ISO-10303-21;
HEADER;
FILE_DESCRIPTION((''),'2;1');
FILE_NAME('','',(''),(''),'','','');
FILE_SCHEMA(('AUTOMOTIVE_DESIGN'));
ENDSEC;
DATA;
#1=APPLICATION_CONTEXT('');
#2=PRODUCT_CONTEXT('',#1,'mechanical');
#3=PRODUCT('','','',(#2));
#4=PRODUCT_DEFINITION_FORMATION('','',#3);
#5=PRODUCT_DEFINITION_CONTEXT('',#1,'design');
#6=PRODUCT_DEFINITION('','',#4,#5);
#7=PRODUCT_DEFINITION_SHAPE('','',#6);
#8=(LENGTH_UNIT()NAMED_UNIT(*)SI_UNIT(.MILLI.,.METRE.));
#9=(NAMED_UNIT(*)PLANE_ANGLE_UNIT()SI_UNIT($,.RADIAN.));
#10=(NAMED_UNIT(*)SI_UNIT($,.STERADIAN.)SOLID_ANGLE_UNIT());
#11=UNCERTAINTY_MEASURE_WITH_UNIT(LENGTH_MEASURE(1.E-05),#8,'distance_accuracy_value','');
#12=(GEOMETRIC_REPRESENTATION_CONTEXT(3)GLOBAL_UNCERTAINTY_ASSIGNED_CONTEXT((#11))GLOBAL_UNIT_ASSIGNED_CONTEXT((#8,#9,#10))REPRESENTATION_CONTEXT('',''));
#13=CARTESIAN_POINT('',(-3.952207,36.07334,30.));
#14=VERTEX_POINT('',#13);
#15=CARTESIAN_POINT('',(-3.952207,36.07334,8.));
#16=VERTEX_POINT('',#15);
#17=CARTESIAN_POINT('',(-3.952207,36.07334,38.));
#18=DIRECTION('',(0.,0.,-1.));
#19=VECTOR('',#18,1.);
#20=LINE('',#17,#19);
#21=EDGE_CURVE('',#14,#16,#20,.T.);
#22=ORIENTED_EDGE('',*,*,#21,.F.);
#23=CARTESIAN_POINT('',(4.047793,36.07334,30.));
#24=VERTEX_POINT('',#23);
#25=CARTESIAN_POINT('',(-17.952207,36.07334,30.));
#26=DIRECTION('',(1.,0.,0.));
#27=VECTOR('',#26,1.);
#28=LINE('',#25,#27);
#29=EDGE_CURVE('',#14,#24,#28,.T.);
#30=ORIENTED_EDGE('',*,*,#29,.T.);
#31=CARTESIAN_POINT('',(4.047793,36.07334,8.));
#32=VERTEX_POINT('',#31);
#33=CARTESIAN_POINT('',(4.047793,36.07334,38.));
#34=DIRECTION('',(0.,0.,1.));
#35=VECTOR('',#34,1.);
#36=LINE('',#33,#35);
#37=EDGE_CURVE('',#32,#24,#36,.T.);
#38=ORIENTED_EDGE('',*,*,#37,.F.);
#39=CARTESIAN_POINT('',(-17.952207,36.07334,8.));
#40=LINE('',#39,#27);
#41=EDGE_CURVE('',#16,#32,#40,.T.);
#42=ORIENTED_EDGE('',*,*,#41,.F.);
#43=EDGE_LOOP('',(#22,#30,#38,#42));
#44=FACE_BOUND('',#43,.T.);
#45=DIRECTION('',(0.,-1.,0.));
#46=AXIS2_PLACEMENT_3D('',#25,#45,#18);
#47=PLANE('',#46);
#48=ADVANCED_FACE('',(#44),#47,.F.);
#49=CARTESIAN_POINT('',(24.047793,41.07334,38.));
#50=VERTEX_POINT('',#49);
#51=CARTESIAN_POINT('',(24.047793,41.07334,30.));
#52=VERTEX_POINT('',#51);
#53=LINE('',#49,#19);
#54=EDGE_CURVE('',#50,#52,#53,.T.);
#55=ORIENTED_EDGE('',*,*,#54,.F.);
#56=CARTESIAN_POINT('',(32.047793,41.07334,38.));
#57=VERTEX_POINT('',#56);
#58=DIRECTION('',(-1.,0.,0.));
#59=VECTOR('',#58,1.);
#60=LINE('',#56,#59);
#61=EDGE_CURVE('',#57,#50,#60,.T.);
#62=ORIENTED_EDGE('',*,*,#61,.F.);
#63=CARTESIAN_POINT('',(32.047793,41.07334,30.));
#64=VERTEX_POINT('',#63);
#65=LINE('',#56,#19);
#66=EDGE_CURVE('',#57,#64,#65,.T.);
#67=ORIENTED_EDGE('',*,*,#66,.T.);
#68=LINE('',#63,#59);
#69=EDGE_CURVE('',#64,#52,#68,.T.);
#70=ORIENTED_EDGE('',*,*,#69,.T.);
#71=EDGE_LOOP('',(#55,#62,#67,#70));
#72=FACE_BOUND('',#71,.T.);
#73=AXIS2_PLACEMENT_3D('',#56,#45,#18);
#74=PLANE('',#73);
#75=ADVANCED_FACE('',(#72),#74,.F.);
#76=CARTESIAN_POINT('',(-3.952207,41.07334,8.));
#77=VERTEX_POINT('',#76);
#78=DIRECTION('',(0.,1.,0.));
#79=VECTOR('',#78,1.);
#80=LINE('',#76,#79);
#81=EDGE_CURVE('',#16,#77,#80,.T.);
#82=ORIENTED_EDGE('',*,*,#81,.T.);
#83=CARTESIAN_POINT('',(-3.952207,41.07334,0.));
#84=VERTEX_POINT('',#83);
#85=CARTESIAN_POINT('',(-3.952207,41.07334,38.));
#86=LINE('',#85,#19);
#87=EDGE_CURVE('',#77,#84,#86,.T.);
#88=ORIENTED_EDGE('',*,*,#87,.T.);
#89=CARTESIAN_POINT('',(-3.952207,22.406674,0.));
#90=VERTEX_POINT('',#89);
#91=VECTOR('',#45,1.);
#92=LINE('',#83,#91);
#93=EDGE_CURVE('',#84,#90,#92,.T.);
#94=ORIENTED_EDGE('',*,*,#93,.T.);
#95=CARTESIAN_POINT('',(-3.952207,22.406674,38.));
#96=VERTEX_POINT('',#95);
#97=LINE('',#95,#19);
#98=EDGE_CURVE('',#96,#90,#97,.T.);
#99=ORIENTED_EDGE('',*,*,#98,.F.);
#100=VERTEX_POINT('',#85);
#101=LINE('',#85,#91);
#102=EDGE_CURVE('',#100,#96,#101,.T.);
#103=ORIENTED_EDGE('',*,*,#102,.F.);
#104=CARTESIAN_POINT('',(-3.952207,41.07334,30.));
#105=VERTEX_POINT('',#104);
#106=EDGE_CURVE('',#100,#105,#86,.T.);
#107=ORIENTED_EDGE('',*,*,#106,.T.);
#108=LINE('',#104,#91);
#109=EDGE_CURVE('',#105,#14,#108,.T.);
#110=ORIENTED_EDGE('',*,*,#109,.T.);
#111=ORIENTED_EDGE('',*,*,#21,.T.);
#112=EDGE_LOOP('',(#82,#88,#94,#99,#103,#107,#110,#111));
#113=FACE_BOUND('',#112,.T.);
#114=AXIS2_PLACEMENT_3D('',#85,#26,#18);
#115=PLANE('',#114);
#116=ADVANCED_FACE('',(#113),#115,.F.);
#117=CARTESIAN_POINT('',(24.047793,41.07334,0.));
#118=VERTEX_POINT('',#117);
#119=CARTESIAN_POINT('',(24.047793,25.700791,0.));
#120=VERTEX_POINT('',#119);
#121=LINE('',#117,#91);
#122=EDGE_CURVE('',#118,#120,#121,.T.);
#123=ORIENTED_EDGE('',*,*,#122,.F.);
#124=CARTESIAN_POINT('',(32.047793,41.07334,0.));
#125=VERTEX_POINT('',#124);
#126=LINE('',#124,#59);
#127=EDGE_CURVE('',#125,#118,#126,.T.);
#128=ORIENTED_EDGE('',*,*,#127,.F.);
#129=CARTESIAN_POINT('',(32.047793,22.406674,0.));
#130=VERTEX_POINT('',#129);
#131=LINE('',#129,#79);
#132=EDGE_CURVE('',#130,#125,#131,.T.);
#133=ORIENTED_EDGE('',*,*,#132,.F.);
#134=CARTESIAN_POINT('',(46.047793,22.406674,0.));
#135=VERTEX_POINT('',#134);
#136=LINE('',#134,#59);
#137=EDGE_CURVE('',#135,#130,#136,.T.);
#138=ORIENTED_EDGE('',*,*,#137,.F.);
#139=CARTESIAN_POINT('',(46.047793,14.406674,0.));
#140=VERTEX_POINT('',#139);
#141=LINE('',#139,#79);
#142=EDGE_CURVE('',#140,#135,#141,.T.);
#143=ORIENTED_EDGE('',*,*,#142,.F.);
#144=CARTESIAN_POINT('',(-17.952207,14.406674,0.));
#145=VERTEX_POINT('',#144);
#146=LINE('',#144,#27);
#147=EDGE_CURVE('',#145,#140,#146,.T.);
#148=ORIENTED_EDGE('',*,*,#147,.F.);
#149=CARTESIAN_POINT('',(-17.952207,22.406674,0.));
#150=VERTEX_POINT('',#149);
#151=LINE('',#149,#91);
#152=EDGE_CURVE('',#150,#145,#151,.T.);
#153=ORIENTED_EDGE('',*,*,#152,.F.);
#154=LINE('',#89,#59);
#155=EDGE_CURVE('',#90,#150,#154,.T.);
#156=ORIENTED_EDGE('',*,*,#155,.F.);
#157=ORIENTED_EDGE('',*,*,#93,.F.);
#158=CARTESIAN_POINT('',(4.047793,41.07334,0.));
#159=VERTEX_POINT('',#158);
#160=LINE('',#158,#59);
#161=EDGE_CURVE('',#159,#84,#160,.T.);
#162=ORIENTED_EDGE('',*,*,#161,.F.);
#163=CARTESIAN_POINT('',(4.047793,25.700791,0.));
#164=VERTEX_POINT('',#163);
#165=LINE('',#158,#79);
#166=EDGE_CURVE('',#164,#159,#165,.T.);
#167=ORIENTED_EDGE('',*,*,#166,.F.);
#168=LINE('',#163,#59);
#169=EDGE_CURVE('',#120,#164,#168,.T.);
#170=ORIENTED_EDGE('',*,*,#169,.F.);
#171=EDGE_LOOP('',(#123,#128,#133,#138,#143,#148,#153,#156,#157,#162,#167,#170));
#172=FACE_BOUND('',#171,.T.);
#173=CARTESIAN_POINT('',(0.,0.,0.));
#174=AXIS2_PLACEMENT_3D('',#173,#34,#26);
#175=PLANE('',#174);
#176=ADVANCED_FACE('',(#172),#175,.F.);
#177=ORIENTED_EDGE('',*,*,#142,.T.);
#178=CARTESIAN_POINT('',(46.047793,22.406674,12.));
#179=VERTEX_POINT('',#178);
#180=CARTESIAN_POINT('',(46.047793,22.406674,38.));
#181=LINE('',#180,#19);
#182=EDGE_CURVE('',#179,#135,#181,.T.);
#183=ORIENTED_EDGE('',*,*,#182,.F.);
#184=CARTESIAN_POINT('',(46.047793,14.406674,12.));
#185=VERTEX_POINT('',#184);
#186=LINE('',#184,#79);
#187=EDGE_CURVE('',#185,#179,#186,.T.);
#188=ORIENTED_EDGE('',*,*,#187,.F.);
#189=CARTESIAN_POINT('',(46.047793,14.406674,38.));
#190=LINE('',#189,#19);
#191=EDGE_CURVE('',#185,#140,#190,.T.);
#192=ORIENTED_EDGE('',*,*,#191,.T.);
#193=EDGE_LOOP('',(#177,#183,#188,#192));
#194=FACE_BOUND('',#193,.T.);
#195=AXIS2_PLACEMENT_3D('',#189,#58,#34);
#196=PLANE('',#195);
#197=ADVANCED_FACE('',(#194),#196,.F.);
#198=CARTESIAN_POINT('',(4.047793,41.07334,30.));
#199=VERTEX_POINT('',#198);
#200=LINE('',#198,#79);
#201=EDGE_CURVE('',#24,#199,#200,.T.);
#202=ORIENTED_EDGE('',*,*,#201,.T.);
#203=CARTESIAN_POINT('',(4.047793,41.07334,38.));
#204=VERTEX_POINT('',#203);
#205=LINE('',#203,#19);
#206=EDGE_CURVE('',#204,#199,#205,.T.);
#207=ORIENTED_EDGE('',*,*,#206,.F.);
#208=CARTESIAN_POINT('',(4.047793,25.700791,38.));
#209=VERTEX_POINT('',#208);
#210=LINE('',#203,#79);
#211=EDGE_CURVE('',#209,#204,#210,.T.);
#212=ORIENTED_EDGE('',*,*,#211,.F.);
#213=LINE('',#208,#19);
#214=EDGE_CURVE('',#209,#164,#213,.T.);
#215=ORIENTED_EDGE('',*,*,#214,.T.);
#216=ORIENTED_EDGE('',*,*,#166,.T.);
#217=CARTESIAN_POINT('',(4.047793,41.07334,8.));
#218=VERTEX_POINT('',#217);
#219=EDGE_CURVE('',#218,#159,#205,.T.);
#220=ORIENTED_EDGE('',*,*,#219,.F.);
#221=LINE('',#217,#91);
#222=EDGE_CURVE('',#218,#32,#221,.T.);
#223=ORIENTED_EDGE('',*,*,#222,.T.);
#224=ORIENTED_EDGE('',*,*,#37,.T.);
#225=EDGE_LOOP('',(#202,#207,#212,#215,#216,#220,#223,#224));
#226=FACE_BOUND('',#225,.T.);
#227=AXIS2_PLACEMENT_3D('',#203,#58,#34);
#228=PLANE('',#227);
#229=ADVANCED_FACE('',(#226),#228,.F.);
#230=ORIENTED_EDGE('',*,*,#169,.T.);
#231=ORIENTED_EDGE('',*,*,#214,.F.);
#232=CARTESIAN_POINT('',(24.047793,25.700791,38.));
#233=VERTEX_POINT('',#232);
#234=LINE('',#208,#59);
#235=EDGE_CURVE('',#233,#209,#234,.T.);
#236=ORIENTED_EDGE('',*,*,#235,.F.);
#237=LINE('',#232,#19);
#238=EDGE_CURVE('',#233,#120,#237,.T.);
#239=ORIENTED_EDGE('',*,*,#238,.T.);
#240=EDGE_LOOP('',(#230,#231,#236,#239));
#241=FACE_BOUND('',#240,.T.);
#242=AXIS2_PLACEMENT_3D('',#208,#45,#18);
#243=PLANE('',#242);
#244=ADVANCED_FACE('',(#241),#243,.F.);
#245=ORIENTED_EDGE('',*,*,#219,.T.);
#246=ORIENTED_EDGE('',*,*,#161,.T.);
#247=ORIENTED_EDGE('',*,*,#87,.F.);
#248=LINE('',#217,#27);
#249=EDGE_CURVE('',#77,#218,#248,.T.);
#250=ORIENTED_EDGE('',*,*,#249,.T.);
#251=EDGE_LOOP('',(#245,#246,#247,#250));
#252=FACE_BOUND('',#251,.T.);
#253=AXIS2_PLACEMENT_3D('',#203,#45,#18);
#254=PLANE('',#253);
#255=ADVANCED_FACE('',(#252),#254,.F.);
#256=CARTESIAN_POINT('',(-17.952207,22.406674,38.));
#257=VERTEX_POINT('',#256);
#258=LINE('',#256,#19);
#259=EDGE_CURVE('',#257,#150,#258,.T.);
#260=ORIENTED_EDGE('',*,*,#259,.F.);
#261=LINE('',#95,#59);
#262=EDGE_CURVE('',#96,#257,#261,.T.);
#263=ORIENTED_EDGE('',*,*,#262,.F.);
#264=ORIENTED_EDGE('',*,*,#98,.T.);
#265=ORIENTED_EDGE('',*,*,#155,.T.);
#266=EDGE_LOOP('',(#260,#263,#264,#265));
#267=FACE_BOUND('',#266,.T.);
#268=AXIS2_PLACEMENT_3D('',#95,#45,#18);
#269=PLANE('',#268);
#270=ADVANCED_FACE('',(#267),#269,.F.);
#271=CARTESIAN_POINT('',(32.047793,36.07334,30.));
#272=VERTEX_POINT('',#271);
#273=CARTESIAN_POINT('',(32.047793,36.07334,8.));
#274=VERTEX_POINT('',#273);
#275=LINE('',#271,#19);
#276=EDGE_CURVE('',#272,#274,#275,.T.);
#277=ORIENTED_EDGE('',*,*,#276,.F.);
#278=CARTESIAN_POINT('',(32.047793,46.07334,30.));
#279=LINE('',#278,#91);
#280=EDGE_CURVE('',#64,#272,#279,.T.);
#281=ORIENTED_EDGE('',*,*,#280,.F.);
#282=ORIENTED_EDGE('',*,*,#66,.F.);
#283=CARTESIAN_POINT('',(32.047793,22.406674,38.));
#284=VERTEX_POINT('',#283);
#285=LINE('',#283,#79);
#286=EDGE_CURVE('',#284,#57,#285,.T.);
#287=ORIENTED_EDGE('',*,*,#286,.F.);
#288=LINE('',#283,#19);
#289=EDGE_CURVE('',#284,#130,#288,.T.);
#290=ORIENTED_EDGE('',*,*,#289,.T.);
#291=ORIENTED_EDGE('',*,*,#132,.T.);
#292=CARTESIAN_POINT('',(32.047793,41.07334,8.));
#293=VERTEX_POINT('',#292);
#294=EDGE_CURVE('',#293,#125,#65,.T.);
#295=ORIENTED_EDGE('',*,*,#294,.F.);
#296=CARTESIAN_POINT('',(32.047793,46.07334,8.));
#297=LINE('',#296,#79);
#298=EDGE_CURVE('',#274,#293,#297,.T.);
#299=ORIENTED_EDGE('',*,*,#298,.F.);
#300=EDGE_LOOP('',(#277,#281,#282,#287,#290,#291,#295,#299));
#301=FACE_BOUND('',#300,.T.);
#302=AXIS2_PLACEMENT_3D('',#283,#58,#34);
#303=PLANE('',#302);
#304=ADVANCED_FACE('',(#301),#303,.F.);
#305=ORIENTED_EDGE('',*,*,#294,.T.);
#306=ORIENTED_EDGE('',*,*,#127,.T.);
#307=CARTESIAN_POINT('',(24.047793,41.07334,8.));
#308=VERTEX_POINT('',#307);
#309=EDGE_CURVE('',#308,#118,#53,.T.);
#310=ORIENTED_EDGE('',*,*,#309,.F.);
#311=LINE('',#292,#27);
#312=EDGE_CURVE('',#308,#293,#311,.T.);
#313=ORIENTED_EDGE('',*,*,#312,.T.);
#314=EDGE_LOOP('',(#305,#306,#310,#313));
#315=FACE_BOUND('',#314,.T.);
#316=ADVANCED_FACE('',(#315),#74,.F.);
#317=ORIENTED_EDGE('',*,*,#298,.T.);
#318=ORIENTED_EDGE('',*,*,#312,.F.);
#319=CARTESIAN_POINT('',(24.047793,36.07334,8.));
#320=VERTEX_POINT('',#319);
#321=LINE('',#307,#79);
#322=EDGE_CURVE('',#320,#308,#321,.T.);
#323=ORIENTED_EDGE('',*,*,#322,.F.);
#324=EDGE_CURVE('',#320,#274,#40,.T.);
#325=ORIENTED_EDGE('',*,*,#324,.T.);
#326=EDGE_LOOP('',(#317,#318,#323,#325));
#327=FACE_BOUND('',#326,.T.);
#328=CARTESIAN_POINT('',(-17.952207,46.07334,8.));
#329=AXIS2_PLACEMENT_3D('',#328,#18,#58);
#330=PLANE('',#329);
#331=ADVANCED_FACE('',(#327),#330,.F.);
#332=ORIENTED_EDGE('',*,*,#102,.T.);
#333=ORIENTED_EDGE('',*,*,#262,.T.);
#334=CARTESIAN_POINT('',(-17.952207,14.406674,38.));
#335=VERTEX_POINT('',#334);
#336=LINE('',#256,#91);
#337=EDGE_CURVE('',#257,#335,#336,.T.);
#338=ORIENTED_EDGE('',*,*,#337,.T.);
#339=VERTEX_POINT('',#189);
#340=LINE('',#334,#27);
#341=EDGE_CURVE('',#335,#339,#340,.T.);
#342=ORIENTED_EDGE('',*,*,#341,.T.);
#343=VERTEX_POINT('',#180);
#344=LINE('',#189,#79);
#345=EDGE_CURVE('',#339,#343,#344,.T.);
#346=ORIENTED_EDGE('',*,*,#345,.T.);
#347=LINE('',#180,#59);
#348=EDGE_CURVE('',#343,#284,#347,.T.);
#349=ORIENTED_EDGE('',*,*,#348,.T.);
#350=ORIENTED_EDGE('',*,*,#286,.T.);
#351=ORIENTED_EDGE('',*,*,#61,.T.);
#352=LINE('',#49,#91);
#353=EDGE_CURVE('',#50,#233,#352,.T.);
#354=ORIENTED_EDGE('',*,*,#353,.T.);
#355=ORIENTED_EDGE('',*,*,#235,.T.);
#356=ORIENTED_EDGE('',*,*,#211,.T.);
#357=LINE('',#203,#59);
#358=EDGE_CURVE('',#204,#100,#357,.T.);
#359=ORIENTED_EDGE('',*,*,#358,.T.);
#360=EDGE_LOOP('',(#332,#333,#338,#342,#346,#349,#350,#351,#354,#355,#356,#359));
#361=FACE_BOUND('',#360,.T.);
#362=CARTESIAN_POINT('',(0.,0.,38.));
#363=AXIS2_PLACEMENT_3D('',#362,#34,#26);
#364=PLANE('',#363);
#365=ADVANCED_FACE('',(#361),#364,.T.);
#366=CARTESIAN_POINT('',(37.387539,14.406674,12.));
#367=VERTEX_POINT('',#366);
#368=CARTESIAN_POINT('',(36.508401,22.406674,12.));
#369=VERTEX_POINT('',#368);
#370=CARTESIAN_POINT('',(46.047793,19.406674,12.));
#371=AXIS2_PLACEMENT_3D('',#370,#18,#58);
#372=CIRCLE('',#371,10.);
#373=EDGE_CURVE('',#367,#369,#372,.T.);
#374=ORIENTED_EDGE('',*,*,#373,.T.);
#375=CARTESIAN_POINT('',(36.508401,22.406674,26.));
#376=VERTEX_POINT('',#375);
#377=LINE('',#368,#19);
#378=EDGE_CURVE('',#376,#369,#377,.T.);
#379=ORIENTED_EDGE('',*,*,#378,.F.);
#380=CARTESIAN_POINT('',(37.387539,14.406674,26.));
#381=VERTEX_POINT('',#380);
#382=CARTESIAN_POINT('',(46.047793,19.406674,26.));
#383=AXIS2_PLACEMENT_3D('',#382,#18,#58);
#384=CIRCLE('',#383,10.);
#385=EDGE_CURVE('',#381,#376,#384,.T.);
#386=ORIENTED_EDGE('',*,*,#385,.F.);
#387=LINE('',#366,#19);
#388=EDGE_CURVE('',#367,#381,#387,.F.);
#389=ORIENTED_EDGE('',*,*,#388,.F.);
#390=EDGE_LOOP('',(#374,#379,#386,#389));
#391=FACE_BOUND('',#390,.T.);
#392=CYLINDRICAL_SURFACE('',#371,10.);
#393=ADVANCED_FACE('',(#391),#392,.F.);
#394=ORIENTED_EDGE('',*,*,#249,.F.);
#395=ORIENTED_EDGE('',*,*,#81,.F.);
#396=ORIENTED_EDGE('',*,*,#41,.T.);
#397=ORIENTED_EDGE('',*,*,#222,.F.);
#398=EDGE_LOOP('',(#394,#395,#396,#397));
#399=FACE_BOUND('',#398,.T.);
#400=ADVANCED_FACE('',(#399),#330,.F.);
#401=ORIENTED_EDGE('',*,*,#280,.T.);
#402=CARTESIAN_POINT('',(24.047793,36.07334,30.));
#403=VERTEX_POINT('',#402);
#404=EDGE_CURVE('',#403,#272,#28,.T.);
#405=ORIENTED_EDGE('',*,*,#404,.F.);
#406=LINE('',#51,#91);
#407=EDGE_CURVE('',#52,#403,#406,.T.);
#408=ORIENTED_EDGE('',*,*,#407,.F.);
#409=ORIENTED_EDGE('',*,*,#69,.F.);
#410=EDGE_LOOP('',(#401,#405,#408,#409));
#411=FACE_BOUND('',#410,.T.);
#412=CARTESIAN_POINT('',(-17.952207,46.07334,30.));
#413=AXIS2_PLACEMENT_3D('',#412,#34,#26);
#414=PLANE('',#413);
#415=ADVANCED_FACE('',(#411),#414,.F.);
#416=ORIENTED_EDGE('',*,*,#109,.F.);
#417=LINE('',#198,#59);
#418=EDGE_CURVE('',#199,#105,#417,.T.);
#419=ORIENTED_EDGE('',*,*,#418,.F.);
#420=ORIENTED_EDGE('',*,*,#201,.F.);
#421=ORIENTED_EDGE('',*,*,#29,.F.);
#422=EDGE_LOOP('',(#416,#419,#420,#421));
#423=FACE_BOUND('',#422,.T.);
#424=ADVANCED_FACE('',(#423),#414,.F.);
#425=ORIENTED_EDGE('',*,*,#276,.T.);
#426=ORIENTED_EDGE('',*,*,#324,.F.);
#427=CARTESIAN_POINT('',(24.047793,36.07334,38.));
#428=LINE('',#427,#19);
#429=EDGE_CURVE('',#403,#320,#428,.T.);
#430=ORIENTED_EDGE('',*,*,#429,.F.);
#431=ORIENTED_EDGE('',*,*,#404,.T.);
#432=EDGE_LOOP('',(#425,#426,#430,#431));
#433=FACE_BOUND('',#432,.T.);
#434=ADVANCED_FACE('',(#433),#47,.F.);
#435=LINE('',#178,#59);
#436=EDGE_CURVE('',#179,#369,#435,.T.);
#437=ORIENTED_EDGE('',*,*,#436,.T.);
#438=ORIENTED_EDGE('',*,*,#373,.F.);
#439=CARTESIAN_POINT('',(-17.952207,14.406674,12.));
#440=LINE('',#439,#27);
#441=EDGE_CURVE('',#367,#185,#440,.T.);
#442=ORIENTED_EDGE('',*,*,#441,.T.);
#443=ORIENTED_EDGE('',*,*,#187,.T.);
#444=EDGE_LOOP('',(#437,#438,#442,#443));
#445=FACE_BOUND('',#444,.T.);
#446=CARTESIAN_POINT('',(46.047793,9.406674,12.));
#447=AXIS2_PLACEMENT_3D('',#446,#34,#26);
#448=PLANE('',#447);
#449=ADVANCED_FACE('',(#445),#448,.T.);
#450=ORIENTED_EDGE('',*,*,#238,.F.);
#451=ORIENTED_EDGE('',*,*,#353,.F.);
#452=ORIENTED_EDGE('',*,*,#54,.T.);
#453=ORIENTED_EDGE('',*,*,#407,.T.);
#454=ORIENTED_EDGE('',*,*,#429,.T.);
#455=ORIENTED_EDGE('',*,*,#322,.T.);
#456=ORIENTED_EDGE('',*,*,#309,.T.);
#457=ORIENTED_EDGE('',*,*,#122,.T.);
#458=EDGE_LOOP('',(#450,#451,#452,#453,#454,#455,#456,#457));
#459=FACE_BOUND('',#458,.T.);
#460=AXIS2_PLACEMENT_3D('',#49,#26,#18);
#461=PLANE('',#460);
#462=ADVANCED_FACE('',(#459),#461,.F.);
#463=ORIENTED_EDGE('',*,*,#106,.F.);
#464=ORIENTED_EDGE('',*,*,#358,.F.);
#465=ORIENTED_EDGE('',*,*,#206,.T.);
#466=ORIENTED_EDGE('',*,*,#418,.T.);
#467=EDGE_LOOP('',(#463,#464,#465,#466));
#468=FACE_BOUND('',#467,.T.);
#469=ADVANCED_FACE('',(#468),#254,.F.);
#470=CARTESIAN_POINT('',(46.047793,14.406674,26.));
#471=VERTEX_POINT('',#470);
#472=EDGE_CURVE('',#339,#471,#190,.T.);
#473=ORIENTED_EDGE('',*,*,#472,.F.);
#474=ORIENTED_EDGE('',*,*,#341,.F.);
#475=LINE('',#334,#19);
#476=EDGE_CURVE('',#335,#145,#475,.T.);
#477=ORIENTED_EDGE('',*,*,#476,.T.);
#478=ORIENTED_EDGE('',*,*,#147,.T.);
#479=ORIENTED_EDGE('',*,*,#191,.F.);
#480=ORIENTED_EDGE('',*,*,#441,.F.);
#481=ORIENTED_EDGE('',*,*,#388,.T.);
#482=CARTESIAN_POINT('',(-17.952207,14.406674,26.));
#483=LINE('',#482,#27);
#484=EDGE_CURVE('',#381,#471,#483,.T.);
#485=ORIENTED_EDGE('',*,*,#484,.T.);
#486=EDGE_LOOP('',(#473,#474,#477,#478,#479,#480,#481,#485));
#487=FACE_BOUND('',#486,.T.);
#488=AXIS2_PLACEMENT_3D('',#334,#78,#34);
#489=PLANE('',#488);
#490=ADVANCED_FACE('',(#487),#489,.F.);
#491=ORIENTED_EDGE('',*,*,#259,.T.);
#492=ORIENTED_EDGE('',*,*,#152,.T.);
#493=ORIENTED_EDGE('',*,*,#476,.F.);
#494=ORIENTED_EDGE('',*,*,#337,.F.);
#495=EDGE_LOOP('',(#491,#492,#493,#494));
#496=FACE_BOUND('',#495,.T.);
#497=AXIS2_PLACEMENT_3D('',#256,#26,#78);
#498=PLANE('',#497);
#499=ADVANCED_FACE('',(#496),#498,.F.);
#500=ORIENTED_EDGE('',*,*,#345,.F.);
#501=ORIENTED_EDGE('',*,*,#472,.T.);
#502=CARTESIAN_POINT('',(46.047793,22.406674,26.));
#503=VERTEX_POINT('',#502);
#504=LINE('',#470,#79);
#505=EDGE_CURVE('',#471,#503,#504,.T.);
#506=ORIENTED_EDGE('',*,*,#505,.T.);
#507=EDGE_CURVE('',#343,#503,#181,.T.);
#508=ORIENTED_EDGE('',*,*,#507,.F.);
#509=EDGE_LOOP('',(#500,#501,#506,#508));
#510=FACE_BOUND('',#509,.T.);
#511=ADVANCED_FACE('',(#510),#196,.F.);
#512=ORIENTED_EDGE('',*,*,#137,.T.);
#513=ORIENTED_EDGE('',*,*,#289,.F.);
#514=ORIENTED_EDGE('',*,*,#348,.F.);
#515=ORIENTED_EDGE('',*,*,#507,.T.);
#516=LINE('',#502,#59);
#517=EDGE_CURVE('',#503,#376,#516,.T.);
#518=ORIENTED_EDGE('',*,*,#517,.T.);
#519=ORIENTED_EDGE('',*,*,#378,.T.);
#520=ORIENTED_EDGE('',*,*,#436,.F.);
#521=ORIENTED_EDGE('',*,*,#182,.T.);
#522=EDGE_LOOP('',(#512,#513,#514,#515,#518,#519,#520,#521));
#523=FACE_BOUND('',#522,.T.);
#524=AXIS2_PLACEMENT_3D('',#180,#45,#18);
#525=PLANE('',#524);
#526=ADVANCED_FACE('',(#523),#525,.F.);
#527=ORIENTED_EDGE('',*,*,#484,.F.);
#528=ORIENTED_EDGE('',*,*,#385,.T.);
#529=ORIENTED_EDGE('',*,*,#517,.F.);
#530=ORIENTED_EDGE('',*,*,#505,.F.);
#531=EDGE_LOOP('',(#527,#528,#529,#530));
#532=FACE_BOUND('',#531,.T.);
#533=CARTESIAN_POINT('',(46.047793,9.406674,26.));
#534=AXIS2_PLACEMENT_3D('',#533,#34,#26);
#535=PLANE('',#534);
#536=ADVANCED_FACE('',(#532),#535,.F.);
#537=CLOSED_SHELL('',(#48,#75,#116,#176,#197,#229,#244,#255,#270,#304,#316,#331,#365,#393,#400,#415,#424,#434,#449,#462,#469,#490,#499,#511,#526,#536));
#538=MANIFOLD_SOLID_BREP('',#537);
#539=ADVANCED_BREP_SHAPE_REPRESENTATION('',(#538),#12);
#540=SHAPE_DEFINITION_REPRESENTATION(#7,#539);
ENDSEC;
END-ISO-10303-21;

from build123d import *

# Parameters (mm, degrees)
BOSS_EXTRUDE1_DEPTH = 38
SKETCH2_W           = 22
SKETCH2_H           = 10
CUT_EXTRUDE1_DEPTH  = 76.040117824
SKETCH3_W           = 14
SKETCH3_H           = 10


with BuildPart() as part:
    # Sketch1 → Boss-Extrude1 (new body)
    with BuildSketch(Plane.XY):
        Polygon((4.047792592, 41.073340295), (-3.952207408, 41.073340295), (-3.952207408, 22.406673629), (-17.952207408, 22.406673629), (-17.952207408, 14.406673629), (46.047792592, 14.406673629), (46.047792592, 22.406673629), (32.047792592, 22.406673629), (32.047792592, 41.073340295), (24.047792592, 41.073340295), (24.047792592, 25.700791276), (4.047792592, 25.700791276), align=None)
    extrude(amount=BOSS_EXTRUDE1_DEPTH)

    # Sketch2 → Cut-Extrude1 (cut, through all)
    with BuildSketch(Plane(origin=(32.047792592, 0, 0), x_dir=(0, 0, -1), z_dir=(1, 0, 0))):
        with Locations((-19, 41.073340295)):
            Rectangle(SKETCH2_W, SKETCH2_H)
    extrude(amount=-CUT_EXTRUDE1_DEPTH, mode=Mode.SUBTRACT)

    # Sketch3 → Cut-Revolve1 (revolve, cut)
    with BuildSketch(Plane(origin=(46.047792592, 0, 0), x_dir=(0, 0, -1), z_dir=(1, 0, 0))):
        with Locations((-19, 14.406673629)):
            Rectangle(SKETCH3_W, SKETCH3_H)
    revolve(axis=Axis((46.047792592, 19.406673629, 12), (0, 0, 1)), mode=Mode.SUBTRACT)


solid = part.part
